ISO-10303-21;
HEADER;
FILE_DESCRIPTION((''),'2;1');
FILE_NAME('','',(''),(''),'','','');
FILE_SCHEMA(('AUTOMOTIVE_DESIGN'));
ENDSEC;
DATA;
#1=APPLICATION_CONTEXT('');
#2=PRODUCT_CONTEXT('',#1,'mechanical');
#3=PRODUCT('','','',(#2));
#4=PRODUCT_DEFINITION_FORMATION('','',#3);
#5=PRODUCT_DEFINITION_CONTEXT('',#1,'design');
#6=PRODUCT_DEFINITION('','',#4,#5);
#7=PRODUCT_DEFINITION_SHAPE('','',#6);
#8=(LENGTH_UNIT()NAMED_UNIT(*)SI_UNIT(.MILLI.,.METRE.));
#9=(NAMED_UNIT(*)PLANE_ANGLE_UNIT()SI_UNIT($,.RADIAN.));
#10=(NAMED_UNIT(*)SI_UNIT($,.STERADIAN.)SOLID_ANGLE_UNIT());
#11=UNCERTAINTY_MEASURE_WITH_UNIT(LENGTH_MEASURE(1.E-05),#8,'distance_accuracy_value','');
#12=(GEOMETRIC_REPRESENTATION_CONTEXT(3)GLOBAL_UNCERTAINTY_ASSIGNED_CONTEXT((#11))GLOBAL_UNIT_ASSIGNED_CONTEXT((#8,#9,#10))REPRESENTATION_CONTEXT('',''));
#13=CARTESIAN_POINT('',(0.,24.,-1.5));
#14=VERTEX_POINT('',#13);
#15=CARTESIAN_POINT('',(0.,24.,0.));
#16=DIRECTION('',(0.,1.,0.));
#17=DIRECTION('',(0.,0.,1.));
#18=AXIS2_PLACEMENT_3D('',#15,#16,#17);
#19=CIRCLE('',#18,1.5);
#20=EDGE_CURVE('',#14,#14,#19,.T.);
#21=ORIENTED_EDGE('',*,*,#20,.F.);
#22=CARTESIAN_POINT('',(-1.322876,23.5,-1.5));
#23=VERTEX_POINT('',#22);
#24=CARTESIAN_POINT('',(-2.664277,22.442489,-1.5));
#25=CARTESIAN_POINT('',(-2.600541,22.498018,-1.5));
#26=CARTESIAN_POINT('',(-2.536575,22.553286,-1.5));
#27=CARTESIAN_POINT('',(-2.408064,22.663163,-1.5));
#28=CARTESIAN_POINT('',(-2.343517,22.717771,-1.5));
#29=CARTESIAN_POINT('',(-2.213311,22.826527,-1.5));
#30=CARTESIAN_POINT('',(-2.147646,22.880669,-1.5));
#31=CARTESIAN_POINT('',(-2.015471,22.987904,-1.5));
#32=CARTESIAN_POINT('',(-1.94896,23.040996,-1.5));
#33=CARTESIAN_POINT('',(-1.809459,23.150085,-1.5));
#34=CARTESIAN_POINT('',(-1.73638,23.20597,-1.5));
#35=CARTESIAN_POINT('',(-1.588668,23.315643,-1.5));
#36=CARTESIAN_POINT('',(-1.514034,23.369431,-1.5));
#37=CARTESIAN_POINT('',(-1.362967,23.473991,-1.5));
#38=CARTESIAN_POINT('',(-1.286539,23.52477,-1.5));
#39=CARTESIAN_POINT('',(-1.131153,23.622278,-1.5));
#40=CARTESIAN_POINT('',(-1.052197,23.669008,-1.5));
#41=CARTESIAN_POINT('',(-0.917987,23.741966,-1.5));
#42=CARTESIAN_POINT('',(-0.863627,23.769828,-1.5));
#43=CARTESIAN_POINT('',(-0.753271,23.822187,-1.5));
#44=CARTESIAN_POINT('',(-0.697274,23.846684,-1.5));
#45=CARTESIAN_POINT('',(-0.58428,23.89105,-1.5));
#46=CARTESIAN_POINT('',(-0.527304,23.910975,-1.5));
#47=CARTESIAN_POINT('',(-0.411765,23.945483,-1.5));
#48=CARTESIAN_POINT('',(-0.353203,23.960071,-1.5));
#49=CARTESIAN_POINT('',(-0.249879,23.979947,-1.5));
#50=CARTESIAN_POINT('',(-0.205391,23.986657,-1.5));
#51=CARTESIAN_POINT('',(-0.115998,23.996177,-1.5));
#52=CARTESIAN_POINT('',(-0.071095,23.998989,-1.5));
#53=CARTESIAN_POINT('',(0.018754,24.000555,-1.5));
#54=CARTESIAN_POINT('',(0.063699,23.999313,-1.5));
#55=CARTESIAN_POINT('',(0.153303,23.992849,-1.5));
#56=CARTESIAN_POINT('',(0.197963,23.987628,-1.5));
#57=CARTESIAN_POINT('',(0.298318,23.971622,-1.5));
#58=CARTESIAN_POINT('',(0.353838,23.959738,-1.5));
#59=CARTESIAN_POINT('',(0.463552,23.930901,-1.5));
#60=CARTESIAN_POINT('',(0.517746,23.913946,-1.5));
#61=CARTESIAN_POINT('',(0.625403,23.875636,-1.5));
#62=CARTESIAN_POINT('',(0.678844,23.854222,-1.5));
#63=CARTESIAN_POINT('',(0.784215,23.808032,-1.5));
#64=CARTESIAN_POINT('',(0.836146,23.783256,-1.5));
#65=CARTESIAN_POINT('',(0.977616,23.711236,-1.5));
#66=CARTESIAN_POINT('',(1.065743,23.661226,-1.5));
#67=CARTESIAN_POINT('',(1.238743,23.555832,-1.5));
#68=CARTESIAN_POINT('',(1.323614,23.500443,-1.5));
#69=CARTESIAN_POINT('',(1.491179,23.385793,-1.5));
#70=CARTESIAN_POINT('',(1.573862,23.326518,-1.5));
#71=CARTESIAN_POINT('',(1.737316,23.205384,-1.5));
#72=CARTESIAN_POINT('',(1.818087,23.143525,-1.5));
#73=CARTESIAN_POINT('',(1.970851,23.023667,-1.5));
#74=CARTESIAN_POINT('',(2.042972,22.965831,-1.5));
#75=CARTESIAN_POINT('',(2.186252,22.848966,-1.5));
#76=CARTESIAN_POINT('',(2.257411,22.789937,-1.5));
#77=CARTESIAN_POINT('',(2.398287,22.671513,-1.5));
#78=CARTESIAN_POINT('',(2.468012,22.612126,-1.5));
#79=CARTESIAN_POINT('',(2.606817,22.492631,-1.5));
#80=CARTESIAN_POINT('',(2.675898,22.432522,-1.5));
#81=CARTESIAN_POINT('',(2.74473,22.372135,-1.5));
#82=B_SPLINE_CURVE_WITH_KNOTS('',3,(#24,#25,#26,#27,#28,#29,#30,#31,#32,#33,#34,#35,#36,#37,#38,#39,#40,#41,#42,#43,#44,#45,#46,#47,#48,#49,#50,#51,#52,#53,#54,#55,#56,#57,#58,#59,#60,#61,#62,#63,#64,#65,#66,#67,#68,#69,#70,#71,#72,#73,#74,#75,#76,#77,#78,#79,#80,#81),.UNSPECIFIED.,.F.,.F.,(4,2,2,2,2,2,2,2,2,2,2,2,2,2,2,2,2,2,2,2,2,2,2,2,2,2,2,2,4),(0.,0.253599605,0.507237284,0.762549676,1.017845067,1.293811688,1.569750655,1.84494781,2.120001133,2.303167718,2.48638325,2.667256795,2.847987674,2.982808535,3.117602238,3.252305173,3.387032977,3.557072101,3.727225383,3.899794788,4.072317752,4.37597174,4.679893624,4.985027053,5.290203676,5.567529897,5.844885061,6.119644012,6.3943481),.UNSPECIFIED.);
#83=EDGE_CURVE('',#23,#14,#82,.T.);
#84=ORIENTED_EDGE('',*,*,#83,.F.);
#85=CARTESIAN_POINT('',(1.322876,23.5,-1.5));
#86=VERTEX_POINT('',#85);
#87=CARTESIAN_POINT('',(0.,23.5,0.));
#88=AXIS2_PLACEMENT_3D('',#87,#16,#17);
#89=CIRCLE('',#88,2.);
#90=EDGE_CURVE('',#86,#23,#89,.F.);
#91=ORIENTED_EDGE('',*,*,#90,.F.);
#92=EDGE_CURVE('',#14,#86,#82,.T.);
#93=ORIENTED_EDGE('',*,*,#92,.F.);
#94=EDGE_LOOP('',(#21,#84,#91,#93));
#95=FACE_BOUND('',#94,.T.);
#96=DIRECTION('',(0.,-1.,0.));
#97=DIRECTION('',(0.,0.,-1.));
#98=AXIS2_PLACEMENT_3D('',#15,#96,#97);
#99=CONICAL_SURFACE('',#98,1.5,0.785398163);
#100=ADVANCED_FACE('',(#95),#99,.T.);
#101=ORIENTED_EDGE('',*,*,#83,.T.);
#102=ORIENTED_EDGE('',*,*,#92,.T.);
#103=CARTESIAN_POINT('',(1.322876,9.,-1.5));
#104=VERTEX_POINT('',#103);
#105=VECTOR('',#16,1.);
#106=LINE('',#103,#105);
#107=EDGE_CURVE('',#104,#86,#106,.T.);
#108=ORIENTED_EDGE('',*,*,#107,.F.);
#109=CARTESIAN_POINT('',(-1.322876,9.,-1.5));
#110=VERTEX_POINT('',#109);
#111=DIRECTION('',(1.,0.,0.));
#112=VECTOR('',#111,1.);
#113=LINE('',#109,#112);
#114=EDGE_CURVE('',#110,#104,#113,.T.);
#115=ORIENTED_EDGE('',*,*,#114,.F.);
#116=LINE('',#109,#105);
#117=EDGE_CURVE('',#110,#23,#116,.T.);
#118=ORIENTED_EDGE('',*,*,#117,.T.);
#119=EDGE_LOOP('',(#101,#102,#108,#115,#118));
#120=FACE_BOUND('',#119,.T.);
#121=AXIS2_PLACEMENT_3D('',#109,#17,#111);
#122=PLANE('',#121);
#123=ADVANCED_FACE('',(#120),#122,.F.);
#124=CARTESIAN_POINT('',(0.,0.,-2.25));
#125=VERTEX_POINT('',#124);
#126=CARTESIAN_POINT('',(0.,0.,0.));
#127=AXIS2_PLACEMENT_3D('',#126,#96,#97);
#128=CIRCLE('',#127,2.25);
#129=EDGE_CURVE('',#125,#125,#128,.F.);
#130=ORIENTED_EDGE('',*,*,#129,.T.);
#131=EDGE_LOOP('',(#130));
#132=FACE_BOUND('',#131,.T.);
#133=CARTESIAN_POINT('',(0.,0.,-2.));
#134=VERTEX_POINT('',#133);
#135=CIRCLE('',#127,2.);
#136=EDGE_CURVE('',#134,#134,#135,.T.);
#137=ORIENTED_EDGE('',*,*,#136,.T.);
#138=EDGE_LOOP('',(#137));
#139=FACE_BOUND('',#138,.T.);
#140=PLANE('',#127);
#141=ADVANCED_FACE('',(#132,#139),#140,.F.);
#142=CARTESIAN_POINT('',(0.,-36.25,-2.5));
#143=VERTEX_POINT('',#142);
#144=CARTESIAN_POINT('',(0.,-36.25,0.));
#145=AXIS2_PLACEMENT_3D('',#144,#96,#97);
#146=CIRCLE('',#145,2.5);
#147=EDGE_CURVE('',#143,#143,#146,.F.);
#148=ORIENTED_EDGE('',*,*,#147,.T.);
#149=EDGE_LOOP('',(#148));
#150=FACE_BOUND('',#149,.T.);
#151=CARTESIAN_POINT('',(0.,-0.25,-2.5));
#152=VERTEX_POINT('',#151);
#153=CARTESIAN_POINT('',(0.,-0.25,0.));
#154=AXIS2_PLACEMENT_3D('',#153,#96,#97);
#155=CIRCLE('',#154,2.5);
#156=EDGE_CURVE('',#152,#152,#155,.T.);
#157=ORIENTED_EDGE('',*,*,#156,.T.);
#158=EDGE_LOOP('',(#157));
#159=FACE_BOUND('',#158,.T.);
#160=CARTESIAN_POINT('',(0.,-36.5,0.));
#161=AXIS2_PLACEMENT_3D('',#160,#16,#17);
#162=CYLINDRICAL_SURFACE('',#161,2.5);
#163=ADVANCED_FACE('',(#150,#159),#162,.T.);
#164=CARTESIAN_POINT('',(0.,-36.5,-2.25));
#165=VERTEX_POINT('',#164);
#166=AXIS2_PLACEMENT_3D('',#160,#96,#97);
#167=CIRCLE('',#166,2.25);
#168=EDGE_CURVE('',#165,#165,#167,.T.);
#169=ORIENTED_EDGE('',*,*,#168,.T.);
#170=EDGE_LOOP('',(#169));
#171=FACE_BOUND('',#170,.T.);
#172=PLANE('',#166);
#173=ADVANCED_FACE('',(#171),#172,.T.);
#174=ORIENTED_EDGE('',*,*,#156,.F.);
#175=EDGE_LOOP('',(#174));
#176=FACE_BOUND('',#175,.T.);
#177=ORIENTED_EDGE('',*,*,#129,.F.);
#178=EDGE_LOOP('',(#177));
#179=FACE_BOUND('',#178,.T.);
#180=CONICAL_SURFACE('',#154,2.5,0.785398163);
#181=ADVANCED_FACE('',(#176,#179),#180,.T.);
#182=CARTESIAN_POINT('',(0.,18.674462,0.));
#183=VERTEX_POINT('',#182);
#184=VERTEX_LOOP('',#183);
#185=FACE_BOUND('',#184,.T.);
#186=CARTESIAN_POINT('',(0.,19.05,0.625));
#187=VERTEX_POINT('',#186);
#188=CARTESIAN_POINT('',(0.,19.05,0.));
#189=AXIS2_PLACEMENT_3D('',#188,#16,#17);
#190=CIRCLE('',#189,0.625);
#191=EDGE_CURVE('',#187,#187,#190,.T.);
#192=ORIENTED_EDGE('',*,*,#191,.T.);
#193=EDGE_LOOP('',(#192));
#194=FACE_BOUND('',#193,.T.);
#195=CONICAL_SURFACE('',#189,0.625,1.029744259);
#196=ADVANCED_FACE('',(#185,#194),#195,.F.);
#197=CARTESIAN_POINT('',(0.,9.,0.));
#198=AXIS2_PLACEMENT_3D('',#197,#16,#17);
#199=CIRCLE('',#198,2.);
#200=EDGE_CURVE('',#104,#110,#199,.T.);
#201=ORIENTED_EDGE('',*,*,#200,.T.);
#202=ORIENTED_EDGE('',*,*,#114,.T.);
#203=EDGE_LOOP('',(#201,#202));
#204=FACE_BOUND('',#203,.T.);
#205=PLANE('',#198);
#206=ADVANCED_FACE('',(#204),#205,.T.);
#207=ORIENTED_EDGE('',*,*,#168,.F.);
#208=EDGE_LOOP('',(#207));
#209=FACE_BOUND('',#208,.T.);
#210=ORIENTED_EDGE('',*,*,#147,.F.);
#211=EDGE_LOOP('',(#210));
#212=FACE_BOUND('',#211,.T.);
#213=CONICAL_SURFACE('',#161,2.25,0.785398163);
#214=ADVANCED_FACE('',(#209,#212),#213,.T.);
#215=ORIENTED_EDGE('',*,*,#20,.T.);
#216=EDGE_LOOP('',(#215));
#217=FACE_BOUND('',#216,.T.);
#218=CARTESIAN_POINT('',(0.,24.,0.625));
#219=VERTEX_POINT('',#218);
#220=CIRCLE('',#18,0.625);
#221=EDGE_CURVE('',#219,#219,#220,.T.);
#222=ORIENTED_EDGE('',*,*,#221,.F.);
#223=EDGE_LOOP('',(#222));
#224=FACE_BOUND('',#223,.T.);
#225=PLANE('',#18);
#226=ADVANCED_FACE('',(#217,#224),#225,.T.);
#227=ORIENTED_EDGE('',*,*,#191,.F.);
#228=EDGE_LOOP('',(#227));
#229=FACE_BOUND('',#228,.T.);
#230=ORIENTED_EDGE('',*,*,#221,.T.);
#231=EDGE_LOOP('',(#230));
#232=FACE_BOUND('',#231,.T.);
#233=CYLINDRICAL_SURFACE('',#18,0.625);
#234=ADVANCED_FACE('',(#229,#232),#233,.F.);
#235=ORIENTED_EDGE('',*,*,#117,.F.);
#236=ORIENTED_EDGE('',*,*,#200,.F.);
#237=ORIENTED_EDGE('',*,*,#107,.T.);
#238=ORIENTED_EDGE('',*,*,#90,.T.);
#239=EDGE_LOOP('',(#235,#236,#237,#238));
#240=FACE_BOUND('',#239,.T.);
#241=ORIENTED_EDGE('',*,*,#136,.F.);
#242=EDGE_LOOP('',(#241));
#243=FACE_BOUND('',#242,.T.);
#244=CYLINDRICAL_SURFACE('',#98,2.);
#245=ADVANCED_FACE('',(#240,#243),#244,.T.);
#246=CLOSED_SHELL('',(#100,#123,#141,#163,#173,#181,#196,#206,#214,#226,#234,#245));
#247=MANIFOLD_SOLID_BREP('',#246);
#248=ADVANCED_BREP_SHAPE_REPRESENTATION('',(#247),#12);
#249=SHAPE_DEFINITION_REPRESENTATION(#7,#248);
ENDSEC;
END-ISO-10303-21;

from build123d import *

# Parameters (mm, degrees)
ESQUISSE1_R             = 2
BOSS_EXTRU_1_DEPTH      = 24
ESQUISSE2_R             = 2.5
BOSS_EXTRU_2_DEPTH      = 36.5
CHANFREIN1_SIZE         = 0.5
TROU_TARAUD_M1_61_D     = 1.25
TROU_TARAUD_M1_61_DEPTH = 4.95
TROU_TARAUD_M1_61_TIP   = 0.375537887
ENL_V_START             = -15
ENL_V_MAT_EXTRU_1_DEPTH = 15
CHANFREIN2_SIZE         = 0.25


with BuildPart() as part:
    # Esquisse1 → Boss.-Extru.1 (new body)
    with BuildSketch(Plane(origin=(0, 0, 0), x_dir=(1, 0, 0), z_dir=(0, 1, 0))):
        with Locations(Location((0, 0, 0), (0, 0, 270))):
            Circle(ESQUISSE1_R)
    extrude(amount=BOSS_EXTRU_1_DEPTH)

    # Esquisse2 → Boss.-Extru.2 (add)
    with BuildSketch(Plane.XZ):
        with Locations(Location((0, 0, 0), (0, 0, 270))):
            Circle(ESQUISSE2_R)
    extrude(amount=BOSS_EXTRU_2_DEPTH)

    # Chanfrein1
    chanfrein1_edges = [part.edges().sort_by_distance(p)[0] for p in [
        (0, 24, -2),
    ]]
    chamfer(chanfrein1_edges, length=CHANFREIN1_SIZE)

    # Trou taraudé M1.61
    with Locations(Plane(origin=(0, 24, 0), x_dir=(1, 0, 0), z_dir=(0, 1, 0))):
        with Locations((0, 0)):
            Hole(TROU_TARAUD_M1_61_D / 2, depth=TROU_TARAUD_M1_61_DEPTH)
            with Locations((0, 0, -(TROU_TARAUD_M1_61_DEPTH + TROU_TARAUD_M1_61_TIP / 2))):  # 118° drill point
                Cone(0, TROU_TARAUD_M1_61_D / 2, TROU_TARAUD_M1_61_TIP, mode=Mode.SUBTRACT)

    # Esquisse5 → Enlèv. mat.-Extru.1 (cut)
    with BuildSketch(Plane(origin=(0, 24, 0), x_dir=(1, 0, 0), z_dir=(0, 1, 0)).offset(ENL_V_START)):
        with BuildLine():
            Line((-1.322875656, 1.5), (1.322875656, 1.5))
            ThreePointArc((1.322875656, 1.5), (0, 2), (-1.322875656, 1.5))
        make_face()
    extrude(amount=ENL_V_MAT_EXTRU_1_DEPTH, mode=Mode.SUBTRACT)

    # Chanfrein2
    chanfrein2_edges = [part.edges().sort_by_distance(p)[0] for p in [
        (0, 0, 2.5),
        (0, -36.5, 2.5),
    ]]
    chamfer(chanfrein2_edges, length=CHANFREIN2_SIZE)


solid = part.part
